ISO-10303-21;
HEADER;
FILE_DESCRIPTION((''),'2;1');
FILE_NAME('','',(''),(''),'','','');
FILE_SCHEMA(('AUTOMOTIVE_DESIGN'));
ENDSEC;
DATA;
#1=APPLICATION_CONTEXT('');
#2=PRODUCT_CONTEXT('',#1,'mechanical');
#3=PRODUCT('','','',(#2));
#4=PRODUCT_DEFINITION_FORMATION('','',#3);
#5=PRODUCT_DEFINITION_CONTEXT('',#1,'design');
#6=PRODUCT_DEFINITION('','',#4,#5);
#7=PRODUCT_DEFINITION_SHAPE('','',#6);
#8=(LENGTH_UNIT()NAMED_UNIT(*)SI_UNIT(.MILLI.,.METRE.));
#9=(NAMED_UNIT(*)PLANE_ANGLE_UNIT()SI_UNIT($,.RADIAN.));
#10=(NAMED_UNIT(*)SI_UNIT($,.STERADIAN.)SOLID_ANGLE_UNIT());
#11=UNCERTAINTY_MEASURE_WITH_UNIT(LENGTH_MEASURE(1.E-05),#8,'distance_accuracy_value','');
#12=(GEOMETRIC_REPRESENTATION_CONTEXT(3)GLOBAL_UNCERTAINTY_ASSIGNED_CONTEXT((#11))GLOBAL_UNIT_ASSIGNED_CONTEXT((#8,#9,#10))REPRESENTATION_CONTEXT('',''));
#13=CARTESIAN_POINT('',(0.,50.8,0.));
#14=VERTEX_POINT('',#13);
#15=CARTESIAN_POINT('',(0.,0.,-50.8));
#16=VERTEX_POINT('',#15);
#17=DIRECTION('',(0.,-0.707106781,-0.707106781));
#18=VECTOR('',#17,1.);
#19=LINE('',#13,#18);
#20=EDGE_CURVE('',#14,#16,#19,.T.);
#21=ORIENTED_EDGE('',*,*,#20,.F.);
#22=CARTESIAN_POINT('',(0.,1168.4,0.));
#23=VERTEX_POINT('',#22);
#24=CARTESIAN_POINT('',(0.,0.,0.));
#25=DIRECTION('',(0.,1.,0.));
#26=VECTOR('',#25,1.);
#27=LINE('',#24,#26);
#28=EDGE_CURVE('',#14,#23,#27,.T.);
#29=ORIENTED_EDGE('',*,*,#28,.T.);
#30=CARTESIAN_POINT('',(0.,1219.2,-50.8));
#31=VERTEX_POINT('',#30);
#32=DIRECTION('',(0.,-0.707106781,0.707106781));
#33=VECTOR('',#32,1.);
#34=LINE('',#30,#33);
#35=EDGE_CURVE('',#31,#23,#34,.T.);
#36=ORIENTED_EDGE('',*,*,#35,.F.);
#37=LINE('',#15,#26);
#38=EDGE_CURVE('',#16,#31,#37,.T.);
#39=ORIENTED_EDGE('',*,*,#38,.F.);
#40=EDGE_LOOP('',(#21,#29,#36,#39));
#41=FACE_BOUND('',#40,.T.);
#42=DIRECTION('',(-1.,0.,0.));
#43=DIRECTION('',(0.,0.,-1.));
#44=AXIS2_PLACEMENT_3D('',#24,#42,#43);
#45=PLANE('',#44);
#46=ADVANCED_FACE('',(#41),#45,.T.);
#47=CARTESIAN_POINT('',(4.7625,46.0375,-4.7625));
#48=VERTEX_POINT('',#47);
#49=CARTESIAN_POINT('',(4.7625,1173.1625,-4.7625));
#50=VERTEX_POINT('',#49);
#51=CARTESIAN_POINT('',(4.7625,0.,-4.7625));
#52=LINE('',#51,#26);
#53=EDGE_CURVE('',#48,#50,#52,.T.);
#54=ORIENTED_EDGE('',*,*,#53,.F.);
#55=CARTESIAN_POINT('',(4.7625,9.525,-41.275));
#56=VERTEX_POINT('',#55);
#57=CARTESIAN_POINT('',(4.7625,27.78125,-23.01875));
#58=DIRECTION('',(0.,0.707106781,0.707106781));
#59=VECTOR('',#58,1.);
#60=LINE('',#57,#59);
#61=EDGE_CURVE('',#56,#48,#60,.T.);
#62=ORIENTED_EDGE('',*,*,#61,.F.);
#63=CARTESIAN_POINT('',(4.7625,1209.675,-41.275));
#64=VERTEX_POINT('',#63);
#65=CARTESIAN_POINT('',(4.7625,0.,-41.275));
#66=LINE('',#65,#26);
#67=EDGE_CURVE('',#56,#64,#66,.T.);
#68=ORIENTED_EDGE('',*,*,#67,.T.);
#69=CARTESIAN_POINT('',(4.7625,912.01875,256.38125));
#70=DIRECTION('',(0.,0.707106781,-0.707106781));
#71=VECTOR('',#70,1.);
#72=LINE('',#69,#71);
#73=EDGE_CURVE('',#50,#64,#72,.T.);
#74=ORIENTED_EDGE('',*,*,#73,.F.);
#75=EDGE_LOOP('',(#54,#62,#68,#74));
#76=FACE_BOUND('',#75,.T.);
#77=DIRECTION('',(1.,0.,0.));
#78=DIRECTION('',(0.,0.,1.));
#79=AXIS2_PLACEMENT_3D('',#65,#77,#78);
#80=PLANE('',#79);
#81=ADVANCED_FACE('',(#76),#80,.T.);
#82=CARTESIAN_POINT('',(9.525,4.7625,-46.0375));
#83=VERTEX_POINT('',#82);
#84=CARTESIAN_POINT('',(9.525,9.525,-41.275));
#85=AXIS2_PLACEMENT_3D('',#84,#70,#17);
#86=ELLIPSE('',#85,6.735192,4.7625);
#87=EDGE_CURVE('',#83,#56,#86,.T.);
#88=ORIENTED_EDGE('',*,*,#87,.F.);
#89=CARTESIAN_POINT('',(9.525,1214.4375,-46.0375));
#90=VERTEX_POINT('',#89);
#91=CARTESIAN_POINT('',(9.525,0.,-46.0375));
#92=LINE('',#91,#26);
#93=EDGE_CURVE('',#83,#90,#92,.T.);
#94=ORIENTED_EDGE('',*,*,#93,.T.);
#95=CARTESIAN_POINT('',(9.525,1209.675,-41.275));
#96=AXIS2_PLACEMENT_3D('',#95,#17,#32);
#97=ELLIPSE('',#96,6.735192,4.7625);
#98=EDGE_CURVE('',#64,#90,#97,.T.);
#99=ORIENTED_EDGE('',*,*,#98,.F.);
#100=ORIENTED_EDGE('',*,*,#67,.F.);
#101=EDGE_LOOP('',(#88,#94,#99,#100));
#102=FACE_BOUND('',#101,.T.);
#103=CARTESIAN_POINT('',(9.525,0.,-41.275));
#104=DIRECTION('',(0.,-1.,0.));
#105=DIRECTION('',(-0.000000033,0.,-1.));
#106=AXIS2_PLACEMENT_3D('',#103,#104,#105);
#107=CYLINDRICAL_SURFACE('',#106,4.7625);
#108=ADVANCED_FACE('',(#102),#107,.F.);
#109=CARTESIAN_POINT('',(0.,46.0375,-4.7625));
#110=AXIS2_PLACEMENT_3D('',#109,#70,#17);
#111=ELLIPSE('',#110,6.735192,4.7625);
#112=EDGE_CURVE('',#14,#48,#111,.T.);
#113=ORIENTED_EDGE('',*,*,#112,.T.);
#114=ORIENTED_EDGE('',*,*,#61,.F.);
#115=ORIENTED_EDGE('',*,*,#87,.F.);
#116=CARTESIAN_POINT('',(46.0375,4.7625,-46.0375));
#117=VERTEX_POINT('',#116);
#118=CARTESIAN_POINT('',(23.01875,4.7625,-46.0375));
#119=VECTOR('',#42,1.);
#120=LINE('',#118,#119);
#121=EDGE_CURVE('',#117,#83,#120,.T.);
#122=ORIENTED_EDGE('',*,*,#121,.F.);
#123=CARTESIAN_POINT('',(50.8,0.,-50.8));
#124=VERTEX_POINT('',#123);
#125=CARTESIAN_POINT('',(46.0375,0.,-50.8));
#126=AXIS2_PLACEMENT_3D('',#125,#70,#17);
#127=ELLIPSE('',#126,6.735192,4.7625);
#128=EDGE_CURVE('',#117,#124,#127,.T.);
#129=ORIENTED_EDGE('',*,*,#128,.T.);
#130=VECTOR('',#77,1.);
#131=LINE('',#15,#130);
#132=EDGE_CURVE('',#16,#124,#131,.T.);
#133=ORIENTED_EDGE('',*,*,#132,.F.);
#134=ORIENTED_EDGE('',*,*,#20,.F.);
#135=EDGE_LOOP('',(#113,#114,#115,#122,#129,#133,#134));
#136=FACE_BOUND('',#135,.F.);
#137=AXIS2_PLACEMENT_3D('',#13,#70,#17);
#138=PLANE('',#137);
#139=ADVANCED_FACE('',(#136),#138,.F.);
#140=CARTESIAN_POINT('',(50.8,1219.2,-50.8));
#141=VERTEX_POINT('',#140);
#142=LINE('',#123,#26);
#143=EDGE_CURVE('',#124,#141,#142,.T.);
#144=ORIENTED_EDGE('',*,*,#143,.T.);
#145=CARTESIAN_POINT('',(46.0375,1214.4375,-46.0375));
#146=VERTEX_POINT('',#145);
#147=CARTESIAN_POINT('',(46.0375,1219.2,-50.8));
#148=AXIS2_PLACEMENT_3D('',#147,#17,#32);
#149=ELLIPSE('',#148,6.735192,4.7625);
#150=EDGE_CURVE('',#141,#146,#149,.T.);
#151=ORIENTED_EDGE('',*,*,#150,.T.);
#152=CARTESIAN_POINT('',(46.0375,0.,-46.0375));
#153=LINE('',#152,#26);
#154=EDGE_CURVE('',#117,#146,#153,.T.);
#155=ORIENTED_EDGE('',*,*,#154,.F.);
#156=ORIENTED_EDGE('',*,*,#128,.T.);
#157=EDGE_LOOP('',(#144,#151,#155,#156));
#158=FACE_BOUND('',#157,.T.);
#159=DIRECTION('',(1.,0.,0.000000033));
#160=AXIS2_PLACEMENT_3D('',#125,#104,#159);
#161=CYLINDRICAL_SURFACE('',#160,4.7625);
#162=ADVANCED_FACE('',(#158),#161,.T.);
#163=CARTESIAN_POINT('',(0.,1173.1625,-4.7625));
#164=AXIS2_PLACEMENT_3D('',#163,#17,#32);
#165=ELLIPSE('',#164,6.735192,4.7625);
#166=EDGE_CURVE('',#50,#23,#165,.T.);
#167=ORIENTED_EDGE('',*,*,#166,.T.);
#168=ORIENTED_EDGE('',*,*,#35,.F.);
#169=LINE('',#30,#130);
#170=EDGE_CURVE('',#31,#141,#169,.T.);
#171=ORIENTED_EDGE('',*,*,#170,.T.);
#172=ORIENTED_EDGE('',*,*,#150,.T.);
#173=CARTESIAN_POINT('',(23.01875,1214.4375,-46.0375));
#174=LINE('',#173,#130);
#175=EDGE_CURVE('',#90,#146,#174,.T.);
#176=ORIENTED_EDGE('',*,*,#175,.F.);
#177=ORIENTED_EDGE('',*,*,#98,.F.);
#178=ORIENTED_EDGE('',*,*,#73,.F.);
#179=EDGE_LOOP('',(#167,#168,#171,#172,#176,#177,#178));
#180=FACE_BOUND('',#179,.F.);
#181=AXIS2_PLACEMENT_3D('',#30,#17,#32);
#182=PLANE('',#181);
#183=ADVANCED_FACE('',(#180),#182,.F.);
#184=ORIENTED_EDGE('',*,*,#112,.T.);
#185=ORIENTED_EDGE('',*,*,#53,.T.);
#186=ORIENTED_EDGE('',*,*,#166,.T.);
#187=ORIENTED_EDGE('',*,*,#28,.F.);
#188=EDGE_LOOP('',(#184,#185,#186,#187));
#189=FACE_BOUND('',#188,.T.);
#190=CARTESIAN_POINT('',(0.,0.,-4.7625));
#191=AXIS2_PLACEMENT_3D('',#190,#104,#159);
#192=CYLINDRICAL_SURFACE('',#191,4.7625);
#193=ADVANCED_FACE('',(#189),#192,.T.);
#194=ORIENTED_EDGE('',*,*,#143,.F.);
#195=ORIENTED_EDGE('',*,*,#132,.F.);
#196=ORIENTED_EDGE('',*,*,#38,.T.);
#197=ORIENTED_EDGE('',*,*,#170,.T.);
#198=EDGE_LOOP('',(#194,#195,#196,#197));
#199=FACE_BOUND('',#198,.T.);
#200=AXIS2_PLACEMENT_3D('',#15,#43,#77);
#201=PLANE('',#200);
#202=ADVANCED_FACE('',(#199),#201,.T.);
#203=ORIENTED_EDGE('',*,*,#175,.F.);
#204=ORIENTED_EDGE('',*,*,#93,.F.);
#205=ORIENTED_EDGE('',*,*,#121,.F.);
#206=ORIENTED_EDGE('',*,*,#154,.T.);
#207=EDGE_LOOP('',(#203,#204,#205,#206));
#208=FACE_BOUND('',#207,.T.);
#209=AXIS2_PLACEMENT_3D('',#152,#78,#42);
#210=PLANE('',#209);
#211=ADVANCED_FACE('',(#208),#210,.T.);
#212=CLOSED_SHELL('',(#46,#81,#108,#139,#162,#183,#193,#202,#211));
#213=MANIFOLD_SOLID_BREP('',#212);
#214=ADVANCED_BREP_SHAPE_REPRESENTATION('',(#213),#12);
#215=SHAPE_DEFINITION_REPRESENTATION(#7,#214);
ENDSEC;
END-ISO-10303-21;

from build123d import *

# Parameters (mm, degrees)
F1_DEPTH = 1219.2
F3_DEPTH = 50.8


with BuildPart() as f1:
    # F0 (on Front) → F1 (new body)
    with BuildSketch(Plane.XZ):
        with BuildLine():
            ThreePointArc((4.7625, -4.7625), (3.367596, -1.394904), (0, 0))
            Line((0, 0), (0, -50.8))
            Line((0, -50.8), (50.8, -50.8))
            ThreePointArc((50.8, -50.8), (49.405096, -47.432404), (46.0375, -46.0375))
            Line((46.0375, -46.0375), (9.525, -46.0375))
            ThreePointArc((9.525, -46.0375), (6.157404, -44.642596), (4.7625, -41.275))
            Line((4.7625, -41.275), (4.7625, -4.7625))
        make_face()
    extrude(amount=-F1_DEPTH)

    # F2 (on face) → F3 (cut)
    with BuildSketch(Plane(origin=(0, 0, 0), x_dir=(0, -1, 0), z_dir=(-1, 0, 0))):
        Polygon((-50.8, 0), (0, -50.8), (0, 0), align=None)
        Polygon((-1219.2, 0), (-1219.2, -50.8), (-1168.4, 0), align=None)
    extrude(amount=-F3_DEPTH, mode=Mode.SUBTRACT)


solid = f1.part
